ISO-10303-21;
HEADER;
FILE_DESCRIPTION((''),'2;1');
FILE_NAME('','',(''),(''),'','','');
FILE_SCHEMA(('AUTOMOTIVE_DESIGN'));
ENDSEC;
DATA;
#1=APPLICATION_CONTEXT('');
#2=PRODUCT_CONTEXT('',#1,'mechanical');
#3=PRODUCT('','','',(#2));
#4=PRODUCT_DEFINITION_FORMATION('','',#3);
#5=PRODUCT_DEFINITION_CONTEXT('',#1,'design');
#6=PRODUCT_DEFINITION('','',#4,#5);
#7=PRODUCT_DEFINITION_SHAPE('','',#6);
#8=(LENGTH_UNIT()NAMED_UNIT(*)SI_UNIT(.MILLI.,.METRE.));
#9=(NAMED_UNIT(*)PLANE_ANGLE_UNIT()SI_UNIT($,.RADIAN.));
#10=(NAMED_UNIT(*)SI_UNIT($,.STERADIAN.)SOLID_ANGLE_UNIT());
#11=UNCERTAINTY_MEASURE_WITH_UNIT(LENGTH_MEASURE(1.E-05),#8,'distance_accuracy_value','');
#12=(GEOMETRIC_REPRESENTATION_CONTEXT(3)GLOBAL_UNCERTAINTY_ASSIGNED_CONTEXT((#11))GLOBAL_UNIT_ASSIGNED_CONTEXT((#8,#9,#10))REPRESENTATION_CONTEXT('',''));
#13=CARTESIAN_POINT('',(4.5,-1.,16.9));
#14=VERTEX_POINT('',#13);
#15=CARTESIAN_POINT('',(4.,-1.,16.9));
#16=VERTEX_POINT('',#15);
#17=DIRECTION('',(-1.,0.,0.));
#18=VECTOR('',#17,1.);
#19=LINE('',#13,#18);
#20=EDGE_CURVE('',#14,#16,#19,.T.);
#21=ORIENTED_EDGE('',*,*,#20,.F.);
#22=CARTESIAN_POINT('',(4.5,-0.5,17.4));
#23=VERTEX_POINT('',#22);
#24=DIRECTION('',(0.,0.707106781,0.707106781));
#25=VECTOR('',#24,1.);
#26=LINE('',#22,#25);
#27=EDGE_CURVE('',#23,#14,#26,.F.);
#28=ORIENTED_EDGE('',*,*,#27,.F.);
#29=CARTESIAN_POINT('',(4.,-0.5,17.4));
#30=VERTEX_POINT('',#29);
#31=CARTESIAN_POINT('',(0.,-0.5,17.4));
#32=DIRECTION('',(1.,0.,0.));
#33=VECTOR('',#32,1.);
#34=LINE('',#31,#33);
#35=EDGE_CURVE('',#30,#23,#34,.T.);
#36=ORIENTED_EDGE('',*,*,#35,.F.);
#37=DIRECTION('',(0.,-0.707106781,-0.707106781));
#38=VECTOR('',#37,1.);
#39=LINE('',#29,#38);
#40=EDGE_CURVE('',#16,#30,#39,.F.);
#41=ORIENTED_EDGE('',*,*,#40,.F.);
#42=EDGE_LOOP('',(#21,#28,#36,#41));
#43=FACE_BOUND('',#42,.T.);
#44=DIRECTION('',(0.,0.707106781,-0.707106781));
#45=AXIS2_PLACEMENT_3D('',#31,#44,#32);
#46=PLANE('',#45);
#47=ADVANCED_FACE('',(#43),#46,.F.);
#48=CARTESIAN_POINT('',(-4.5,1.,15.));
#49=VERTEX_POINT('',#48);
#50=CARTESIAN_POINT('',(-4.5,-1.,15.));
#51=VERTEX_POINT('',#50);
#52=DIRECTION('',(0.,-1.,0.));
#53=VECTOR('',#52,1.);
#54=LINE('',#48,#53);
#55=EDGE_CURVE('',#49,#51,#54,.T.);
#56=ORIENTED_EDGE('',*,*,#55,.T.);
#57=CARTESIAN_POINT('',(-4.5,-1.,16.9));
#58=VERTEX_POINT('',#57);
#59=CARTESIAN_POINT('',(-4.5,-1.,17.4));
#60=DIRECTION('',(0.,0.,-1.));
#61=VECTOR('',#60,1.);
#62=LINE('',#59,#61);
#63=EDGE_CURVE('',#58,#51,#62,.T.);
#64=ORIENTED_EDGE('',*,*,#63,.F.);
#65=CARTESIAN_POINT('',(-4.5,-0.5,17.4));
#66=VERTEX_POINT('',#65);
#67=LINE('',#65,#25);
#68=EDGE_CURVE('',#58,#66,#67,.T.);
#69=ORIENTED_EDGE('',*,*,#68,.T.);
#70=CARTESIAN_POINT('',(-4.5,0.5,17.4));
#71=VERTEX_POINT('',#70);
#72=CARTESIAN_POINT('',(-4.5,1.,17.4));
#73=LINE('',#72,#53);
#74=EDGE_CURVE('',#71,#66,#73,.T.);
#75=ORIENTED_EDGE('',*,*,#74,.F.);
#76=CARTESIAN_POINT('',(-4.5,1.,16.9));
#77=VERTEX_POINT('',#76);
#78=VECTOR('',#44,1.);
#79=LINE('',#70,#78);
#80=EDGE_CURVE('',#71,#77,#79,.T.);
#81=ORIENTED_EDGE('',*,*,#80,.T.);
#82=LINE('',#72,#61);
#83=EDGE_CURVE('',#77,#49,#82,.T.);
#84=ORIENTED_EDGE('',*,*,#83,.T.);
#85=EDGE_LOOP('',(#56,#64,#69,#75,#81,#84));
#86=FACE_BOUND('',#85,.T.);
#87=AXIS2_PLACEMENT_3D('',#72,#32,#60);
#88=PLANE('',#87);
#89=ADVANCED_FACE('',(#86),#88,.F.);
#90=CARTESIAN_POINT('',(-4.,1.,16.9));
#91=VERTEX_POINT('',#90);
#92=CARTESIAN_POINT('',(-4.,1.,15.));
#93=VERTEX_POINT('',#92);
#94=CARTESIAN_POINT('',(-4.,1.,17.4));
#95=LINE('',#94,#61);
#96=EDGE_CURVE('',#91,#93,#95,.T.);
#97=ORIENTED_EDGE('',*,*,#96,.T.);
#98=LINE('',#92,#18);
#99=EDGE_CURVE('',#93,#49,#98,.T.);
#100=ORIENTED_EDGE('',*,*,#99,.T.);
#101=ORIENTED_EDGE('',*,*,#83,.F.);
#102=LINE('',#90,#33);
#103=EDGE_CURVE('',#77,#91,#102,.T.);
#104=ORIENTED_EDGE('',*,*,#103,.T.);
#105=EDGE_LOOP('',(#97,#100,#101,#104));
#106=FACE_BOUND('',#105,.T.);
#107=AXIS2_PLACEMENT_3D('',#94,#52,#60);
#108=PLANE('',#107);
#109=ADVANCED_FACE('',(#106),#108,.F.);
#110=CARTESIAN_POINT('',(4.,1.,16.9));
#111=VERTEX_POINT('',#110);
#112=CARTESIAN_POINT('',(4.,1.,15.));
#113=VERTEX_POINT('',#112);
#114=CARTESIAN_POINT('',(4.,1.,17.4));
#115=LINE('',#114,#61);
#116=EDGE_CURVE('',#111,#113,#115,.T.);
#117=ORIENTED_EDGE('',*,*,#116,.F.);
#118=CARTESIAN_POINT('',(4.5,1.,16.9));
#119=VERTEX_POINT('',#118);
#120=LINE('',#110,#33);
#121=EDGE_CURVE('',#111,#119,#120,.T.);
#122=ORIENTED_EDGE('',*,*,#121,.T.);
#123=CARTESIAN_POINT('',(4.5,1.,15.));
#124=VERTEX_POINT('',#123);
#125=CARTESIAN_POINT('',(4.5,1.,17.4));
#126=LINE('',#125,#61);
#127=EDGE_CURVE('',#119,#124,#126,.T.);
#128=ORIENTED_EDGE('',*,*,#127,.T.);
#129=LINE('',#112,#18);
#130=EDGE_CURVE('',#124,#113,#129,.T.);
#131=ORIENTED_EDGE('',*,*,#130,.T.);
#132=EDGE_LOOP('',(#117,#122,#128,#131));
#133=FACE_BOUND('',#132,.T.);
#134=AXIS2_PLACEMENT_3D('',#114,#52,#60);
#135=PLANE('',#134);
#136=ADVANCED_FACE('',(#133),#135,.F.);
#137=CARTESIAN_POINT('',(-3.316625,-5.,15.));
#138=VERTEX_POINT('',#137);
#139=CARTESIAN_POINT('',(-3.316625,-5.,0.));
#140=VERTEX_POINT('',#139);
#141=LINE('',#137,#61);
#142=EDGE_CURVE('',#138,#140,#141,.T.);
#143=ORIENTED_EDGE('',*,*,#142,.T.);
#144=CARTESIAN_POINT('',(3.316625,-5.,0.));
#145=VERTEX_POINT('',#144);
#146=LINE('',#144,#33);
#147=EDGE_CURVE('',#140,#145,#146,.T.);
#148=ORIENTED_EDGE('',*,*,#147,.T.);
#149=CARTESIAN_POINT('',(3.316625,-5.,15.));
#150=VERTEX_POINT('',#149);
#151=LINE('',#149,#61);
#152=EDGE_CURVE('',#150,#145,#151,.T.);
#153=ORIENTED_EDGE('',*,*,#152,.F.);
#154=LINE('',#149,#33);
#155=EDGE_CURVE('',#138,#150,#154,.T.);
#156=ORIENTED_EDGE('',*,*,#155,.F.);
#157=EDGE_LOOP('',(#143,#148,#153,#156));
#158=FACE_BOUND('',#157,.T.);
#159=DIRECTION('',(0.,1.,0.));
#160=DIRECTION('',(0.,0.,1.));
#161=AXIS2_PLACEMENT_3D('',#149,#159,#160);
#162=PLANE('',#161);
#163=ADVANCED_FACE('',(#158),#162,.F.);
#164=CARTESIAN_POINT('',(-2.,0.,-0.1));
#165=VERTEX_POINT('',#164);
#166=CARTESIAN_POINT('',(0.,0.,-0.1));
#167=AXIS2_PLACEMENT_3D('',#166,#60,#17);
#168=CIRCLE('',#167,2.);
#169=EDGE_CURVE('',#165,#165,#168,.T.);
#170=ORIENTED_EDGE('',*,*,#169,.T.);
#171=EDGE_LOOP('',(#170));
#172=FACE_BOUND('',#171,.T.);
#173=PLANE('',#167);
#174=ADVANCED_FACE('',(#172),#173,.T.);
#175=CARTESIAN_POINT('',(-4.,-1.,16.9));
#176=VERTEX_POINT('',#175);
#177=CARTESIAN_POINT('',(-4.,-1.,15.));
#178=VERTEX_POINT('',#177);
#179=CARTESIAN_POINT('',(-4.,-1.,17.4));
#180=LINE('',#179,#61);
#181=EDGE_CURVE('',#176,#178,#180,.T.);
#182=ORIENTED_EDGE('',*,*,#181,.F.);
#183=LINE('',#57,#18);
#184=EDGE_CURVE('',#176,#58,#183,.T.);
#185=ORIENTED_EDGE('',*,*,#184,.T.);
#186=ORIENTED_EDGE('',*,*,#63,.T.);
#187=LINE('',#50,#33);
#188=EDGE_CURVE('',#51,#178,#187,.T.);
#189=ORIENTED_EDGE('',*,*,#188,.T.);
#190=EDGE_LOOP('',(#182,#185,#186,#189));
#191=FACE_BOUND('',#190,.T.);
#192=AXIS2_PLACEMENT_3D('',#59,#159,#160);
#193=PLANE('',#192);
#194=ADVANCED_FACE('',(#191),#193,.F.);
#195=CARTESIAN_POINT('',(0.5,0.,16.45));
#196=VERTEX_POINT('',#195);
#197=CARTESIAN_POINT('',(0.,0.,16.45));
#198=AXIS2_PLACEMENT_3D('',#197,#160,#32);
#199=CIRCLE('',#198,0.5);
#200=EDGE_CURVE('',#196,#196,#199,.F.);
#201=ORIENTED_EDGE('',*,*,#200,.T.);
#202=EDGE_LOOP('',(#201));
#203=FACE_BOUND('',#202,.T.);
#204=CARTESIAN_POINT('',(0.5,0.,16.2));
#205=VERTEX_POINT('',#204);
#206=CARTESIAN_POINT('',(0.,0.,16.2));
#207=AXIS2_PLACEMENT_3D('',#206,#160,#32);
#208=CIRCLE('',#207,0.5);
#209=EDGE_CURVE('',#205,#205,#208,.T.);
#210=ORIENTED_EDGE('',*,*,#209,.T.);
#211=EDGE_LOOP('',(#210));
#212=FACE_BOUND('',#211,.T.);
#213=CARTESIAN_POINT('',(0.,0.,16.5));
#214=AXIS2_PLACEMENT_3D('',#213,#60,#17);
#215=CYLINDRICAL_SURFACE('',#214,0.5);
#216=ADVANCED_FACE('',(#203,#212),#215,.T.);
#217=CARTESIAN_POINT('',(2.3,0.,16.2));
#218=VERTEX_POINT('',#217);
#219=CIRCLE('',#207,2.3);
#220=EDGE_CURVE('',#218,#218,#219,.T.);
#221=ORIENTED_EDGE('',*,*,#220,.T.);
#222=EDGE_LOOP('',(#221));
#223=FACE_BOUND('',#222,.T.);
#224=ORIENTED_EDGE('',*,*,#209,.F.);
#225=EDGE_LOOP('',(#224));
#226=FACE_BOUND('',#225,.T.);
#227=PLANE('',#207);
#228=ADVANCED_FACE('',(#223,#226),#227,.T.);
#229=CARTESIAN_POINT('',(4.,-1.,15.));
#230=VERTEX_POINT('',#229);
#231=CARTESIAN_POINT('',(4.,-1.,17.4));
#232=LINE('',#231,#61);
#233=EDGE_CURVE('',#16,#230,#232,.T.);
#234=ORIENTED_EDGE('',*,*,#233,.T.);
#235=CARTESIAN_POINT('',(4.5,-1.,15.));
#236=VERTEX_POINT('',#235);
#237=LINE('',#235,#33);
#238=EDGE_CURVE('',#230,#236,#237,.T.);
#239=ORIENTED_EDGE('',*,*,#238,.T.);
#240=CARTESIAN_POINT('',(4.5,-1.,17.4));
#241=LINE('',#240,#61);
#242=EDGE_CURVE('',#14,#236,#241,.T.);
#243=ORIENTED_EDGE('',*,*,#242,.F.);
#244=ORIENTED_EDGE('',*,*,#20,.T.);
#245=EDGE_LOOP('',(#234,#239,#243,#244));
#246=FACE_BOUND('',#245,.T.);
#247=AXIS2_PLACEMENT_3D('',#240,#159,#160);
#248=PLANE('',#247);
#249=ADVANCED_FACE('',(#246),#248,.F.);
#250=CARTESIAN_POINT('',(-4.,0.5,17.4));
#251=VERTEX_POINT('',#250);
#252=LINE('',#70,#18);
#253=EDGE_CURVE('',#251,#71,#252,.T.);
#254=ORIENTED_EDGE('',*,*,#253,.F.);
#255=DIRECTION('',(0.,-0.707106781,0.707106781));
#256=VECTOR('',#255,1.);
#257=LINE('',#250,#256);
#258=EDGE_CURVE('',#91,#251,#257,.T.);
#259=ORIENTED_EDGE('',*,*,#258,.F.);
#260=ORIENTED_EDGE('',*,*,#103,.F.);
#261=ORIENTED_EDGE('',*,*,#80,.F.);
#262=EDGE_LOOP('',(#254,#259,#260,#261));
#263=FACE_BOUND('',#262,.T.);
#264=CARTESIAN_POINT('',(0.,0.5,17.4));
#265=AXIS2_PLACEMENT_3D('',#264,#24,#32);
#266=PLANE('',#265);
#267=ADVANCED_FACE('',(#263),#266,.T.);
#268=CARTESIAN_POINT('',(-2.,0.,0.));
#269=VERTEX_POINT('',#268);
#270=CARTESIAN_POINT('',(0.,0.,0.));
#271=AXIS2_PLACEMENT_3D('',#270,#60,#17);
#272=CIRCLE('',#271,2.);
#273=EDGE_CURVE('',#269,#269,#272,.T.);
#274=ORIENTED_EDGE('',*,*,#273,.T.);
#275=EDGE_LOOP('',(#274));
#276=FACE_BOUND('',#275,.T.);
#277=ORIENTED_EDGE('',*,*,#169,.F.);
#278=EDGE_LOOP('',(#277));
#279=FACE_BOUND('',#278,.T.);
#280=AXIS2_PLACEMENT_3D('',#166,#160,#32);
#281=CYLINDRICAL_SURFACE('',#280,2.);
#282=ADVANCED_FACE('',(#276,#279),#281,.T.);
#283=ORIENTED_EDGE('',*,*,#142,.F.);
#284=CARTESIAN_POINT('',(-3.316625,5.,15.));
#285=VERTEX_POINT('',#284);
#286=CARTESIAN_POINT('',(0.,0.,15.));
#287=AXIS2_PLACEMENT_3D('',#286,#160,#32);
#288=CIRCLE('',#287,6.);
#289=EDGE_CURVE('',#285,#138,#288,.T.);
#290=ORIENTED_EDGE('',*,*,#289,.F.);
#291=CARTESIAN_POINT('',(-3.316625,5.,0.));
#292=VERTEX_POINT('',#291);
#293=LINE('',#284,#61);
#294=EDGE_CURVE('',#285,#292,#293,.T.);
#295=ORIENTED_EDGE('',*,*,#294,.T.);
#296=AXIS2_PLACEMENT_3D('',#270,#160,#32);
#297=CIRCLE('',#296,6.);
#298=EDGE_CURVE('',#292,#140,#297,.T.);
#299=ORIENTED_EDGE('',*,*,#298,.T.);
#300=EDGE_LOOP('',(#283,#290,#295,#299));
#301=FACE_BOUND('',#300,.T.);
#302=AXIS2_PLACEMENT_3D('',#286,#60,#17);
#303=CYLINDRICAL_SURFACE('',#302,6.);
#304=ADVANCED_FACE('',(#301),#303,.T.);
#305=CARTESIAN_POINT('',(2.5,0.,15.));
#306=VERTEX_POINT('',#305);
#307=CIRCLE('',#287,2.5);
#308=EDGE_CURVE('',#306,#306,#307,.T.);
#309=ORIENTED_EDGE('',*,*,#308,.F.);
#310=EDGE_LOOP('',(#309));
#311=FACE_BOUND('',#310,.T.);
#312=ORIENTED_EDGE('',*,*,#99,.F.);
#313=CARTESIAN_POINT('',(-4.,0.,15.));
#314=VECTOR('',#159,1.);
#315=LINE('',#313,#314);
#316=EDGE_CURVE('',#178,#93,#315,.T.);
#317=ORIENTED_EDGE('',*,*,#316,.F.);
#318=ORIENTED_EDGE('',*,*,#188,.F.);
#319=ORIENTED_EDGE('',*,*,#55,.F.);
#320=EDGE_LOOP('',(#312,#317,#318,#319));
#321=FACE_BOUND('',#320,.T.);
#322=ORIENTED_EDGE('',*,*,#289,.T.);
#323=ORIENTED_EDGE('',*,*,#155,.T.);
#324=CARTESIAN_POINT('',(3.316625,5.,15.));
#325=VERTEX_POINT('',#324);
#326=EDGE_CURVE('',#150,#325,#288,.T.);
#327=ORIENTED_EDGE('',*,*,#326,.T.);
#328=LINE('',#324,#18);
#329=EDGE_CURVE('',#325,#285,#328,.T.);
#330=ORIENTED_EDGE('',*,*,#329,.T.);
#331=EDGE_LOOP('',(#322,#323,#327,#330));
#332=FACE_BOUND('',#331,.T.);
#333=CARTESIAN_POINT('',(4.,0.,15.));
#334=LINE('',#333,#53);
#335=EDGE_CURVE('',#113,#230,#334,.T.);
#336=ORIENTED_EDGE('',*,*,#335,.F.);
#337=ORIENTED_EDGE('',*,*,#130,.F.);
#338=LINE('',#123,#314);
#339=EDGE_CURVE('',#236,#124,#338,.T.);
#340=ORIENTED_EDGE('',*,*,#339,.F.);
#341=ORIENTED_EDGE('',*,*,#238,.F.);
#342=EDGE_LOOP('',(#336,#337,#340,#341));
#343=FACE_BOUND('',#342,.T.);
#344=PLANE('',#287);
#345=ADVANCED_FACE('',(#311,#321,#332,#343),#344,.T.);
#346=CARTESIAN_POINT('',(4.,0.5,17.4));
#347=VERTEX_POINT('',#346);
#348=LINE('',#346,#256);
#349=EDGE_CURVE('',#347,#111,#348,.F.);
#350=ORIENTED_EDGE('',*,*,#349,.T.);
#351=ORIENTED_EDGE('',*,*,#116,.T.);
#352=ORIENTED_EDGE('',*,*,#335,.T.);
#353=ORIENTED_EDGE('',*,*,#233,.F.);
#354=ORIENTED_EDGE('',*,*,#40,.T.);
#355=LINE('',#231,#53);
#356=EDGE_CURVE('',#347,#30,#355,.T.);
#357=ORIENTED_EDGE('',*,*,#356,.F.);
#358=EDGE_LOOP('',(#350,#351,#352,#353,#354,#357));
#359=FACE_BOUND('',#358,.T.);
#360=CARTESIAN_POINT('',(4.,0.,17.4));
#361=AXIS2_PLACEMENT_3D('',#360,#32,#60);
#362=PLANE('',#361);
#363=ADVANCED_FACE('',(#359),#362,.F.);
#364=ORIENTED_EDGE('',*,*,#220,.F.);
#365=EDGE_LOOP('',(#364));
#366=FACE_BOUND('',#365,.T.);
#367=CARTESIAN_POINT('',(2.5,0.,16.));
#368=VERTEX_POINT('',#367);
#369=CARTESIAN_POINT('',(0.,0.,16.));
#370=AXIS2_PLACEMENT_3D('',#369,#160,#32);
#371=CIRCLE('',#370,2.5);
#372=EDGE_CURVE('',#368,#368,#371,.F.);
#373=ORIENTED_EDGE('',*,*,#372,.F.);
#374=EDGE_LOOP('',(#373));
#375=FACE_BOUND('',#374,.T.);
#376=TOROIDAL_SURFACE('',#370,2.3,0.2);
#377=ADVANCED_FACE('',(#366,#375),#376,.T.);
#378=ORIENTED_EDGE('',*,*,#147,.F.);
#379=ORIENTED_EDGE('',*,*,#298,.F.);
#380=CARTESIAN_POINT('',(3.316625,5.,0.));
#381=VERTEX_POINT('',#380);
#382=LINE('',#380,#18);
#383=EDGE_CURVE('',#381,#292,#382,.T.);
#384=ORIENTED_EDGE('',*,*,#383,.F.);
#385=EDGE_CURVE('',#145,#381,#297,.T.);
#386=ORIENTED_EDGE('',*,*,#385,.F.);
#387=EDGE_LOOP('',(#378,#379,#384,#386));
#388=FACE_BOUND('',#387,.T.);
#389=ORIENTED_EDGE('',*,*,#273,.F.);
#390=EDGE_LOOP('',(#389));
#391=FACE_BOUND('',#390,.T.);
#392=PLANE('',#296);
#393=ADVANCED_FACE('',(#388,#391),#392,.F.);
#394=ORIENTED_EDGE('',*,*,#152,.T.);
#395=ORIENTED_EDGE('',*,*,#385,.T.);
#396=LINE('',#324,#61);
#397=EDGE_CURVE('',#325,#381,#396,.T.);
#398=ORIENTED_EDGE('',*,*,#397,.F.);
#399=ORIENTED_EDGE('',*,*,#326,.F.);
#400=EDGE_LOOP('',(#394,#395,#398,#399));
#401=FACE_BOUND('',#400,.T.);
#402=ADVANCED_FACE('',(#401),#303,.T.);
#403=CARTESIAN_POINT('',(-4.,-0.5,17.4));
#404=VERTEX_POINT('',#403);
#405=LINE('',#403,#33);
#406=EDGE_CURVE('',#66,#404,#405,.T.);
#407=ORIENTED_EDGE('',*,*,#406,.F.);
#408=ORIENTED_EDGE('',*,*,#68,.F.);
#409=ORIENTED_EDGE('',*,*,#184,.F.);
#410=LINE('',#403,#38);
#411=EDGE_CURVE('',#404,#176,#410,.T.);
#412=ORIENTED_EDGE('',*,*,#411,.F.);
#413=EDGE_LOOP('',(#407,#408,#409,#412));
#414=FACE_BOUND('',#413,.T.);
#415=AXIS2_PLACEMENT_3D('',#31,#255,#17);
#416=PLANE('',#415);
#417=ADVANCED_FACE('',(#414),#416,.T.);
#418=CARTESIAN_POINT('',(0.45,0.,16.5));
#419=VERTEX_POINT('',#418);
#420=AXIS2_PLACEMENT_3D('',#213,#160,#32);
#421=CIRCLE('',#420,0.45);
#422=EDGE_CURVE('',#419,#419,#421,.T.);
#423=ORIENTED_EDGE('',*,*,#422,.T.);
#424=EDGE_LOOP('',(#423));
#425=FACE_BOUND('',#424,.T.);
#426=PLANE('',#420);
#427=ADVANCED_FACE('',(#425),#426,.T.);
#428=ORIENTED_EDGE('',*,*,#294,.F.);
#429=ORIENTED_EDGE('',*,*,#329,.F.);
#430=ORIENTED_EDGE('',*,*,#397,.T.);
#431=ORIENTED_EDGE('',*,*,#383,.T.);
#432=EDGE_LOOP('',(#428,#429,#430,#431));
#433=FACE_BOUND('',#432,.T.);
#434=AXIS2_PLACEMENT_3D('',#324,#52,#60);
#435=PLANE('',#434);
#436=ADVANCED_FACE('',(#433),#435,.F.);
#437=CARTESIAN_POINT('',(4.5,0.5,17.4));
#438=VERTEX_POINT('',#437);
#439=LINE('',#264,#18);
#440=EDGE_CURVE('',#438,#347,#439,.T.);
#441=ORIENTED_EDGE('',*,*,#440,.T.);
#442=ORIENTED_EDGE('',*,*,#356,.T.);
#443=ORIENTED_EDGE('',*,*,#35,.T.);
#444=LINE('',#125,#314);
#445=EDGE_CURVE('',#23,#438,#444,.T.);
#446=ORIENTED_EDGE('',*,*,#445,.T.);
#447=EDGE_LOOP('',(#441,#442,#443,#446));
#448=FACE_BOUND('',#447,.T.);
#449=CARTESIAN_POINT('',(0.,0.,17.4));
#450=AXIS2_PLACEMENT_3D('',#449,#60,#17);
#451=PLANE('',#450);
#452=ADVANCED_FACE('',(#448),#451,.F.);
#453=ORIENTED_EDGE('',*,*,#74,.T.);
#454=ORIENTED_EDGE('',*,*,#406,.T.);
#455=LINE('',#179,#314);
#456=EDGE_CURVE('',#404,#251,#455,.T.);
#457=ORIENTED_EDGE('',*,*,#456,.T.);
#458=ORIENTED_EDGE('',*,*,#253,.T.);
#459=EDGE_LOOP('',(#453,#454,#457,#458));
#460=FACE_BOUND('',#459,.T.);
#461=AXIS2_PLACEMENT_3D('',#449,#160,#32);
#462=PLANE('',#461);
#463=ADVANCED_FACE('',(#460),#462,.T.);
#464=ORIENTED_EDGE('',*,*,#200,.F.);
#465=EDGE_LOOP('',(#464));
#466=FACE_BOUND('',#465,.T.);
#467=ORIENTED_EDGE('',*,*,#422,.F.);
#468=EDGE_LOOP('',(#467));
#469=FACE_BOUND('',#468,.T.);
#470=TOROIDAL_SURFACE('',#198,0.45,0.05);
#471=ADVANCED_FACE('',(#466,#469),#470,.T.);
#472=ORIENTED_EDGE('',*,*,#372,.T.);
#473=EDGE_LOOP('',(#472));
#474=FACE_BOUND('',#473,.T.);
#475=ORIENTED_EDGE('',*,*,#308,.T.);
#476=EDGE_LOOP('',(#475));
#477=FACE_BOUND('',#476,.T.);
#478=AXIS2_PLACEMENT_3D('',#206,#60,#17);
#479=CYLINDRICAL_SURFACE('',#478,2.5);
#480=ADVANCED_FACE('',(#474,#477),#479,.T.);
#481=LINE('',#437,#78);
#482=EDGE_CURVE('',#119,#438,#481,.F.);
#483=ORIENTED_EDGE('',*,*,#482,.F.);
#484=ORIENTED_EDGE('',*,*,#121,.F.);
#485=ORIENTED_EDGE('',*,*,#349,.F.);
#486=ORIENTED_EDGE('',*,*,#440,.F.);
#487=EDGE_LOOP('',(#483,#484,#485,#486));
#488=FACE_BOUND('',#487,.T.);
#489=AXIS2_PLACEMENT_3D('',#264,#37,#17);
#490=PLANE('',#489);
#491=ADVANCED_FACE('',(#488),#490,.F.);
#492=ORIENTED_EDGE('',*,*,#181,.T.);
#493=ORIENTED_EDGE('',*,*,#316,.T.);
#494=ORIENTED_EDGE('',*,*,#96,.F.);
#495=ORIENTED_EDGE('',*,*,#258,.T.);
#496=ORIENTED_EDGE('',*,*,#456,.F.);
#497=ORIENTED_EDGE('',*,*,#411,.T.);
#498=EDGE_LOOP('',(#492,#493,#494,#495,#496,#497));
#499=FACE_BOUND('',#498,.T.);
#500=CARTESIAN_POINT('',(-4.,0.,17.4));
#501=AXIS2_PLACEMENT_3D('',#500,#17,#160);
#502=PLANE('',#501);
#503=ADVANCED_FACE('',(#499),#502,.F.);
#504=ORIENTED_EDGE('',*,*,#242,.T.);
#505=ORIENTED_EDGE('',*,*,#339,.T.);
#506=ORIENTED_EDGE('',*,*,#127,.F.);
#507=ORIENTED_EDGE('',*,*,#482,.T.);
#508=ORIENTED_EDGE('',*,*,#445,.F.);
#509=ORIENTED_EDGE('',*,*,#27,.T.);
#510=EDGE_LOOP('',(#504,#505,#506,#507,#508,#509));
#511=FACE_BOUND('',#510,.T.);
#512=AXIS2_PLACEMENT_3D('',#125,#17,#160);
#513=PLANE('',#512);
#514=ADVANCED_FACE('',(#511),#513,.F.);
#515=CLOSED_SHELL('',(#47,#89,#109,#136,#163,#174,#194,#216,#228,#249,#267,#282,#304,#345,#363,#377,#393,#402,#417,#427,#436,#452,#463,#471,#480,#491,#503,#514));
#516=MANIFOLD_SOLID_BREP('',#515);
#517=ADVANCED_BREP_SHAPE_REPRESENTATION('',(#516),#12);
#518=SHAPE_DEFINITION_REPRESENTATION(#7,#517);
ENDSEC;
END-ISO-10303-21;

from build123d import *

# Parameters (mm, degrees)
SKETCH_1_R          = 6
EXTRUDE_1_DEPTH     = 15
CUT_EXTRUDE_1_DEPTH = 15
SKETCH_7_R          = 2.5
EXTRUDE_2_DEPTH     = 1.2
FILLET_1_R          = 0.2
SKETCH_8_R          = 0.5
EXTRUDE_3_DEPTH     = 0.3
FILLET_2_R          = 0.05
EXTRUDE_4_DEPTH     = 2.4
CHAMFER_1_SIZE      = 0.5
CHAMFER_2_SIZE      = 0.5
CHAMFER_3_SIZE      = 0.5
SKETCH_10_R         = 2
EXTRUDE_5_DEPTH     = 0.1


with BuildPart() as part:
    # 草图1 → 凸台-拉伸1 (new body)
    with BuildSketch(Plane.XY):
        Circle(SKETCH_1_R)
    extrude(amount=EXTRUDE_1_DEPTH)

    # 草图6 → 切除-拉伸1 (cut)
    with BuildSketch(Plane(origin=(0, 0, 0), x_dir=(-1, 0, 0), z_dir=(0, 0, -1))):
        with BuildLine():
            Line((-3.31662479, 5), (3.31662479, 5))
            ThreePointArc((3.31662479, 5), (0, 6), (-3.31662479, 5))
        make_face()
        with BuildLine():
            Line((-3.31662479, -5), (3.31662479, -5))
            ThreePointArc((3.31662479, -5), (0, -6), (-3.31662479, -5))
        make_face()
    extrude(amount=-CUT_EXTRUDE_1_DEPTH, mode=Mode.SUBTRACT)

    # 草图7 → 凸台-拉伸2 (add)
    with BuildSketch(Plane.XY.offset(15)):
        Circle(SKETCH_7_R)
    extrude(amount=EXTRUDE_2_DEPTH)

    # 圆角1
    fillet_1_edges = [part.edges().sort_by_distance(p)[0] for p in [
        (-2.5, 0, 16.2),
    ]]
    fillet(fillet_1_edges, radius=FILLET_1_R)

    # 草图8 → 凸台-拉伸3 (add)
    with BuildSketch(Plane.XY.offset(16.2)):
        Circle(SKETCH_8_R)
    extrude(amount=EXTRUDE_3_DEPTH)

    # 圆角2
    fillet_2_edges = [part.edges().sort_by_distance(p)[0] for p in [
        (-0.5, 0, 16.5),
    ]]
    fillet(fillet_2_edges, radius=FILLET_2_R)

    # 草图9 → 凸台-拉伸4 (add)
    with BuildSketch(Plane.XY.offset(15)):
        Polygon((4, 0), (4, 1), (4.5, 1), (4.5, -1), (4, -1), align=None)
        Polygon((-4, -1), (-4, 0), (-4, 1), (-4.5, 1), (-4.5, -1), align=None)
    extrude(amount=EXTRUDE_4_DEPTH)

    # 倒角1
    chamfer_1_edges = [part.edges().sort_by_distance(p)[0] for p in [
        (-4.25, 1, 17.4),
    ]]
    chamfer(chamfer_1_edges, length=CHAMFER_1_SIZE)

    # 倒角2
    chamfer_2_edges = [part.edges().sort_by_distance(p)[0] for p in [
        (-4.25, -1, 17.4),
    ]]
    chamfer(chamfer_2_edges, length=CHAMFER_2_SIZE)

    # 倒角3
    chamfer_3_edges = [part.edges().sort_by_distance(p)[0] for p in [
        (4.25, -1, 17.4),
        (4.25, 1, 17.4),
    ]]
    chamfer(chamfer_3_edges, length=CHAMFER_3_SIZE)

    # 草图10 → 凸台-拉伸5 (add)
    with BuildSketch(Plane(origin=(0, 0, 0), x_dir=(-1, 0, 0), z_dir=(0, 0, -1))):
        Circle(SKETCH_10_R)
    extrude(amount=EXTRUDE_5_DEPTH)


solid = part.part
